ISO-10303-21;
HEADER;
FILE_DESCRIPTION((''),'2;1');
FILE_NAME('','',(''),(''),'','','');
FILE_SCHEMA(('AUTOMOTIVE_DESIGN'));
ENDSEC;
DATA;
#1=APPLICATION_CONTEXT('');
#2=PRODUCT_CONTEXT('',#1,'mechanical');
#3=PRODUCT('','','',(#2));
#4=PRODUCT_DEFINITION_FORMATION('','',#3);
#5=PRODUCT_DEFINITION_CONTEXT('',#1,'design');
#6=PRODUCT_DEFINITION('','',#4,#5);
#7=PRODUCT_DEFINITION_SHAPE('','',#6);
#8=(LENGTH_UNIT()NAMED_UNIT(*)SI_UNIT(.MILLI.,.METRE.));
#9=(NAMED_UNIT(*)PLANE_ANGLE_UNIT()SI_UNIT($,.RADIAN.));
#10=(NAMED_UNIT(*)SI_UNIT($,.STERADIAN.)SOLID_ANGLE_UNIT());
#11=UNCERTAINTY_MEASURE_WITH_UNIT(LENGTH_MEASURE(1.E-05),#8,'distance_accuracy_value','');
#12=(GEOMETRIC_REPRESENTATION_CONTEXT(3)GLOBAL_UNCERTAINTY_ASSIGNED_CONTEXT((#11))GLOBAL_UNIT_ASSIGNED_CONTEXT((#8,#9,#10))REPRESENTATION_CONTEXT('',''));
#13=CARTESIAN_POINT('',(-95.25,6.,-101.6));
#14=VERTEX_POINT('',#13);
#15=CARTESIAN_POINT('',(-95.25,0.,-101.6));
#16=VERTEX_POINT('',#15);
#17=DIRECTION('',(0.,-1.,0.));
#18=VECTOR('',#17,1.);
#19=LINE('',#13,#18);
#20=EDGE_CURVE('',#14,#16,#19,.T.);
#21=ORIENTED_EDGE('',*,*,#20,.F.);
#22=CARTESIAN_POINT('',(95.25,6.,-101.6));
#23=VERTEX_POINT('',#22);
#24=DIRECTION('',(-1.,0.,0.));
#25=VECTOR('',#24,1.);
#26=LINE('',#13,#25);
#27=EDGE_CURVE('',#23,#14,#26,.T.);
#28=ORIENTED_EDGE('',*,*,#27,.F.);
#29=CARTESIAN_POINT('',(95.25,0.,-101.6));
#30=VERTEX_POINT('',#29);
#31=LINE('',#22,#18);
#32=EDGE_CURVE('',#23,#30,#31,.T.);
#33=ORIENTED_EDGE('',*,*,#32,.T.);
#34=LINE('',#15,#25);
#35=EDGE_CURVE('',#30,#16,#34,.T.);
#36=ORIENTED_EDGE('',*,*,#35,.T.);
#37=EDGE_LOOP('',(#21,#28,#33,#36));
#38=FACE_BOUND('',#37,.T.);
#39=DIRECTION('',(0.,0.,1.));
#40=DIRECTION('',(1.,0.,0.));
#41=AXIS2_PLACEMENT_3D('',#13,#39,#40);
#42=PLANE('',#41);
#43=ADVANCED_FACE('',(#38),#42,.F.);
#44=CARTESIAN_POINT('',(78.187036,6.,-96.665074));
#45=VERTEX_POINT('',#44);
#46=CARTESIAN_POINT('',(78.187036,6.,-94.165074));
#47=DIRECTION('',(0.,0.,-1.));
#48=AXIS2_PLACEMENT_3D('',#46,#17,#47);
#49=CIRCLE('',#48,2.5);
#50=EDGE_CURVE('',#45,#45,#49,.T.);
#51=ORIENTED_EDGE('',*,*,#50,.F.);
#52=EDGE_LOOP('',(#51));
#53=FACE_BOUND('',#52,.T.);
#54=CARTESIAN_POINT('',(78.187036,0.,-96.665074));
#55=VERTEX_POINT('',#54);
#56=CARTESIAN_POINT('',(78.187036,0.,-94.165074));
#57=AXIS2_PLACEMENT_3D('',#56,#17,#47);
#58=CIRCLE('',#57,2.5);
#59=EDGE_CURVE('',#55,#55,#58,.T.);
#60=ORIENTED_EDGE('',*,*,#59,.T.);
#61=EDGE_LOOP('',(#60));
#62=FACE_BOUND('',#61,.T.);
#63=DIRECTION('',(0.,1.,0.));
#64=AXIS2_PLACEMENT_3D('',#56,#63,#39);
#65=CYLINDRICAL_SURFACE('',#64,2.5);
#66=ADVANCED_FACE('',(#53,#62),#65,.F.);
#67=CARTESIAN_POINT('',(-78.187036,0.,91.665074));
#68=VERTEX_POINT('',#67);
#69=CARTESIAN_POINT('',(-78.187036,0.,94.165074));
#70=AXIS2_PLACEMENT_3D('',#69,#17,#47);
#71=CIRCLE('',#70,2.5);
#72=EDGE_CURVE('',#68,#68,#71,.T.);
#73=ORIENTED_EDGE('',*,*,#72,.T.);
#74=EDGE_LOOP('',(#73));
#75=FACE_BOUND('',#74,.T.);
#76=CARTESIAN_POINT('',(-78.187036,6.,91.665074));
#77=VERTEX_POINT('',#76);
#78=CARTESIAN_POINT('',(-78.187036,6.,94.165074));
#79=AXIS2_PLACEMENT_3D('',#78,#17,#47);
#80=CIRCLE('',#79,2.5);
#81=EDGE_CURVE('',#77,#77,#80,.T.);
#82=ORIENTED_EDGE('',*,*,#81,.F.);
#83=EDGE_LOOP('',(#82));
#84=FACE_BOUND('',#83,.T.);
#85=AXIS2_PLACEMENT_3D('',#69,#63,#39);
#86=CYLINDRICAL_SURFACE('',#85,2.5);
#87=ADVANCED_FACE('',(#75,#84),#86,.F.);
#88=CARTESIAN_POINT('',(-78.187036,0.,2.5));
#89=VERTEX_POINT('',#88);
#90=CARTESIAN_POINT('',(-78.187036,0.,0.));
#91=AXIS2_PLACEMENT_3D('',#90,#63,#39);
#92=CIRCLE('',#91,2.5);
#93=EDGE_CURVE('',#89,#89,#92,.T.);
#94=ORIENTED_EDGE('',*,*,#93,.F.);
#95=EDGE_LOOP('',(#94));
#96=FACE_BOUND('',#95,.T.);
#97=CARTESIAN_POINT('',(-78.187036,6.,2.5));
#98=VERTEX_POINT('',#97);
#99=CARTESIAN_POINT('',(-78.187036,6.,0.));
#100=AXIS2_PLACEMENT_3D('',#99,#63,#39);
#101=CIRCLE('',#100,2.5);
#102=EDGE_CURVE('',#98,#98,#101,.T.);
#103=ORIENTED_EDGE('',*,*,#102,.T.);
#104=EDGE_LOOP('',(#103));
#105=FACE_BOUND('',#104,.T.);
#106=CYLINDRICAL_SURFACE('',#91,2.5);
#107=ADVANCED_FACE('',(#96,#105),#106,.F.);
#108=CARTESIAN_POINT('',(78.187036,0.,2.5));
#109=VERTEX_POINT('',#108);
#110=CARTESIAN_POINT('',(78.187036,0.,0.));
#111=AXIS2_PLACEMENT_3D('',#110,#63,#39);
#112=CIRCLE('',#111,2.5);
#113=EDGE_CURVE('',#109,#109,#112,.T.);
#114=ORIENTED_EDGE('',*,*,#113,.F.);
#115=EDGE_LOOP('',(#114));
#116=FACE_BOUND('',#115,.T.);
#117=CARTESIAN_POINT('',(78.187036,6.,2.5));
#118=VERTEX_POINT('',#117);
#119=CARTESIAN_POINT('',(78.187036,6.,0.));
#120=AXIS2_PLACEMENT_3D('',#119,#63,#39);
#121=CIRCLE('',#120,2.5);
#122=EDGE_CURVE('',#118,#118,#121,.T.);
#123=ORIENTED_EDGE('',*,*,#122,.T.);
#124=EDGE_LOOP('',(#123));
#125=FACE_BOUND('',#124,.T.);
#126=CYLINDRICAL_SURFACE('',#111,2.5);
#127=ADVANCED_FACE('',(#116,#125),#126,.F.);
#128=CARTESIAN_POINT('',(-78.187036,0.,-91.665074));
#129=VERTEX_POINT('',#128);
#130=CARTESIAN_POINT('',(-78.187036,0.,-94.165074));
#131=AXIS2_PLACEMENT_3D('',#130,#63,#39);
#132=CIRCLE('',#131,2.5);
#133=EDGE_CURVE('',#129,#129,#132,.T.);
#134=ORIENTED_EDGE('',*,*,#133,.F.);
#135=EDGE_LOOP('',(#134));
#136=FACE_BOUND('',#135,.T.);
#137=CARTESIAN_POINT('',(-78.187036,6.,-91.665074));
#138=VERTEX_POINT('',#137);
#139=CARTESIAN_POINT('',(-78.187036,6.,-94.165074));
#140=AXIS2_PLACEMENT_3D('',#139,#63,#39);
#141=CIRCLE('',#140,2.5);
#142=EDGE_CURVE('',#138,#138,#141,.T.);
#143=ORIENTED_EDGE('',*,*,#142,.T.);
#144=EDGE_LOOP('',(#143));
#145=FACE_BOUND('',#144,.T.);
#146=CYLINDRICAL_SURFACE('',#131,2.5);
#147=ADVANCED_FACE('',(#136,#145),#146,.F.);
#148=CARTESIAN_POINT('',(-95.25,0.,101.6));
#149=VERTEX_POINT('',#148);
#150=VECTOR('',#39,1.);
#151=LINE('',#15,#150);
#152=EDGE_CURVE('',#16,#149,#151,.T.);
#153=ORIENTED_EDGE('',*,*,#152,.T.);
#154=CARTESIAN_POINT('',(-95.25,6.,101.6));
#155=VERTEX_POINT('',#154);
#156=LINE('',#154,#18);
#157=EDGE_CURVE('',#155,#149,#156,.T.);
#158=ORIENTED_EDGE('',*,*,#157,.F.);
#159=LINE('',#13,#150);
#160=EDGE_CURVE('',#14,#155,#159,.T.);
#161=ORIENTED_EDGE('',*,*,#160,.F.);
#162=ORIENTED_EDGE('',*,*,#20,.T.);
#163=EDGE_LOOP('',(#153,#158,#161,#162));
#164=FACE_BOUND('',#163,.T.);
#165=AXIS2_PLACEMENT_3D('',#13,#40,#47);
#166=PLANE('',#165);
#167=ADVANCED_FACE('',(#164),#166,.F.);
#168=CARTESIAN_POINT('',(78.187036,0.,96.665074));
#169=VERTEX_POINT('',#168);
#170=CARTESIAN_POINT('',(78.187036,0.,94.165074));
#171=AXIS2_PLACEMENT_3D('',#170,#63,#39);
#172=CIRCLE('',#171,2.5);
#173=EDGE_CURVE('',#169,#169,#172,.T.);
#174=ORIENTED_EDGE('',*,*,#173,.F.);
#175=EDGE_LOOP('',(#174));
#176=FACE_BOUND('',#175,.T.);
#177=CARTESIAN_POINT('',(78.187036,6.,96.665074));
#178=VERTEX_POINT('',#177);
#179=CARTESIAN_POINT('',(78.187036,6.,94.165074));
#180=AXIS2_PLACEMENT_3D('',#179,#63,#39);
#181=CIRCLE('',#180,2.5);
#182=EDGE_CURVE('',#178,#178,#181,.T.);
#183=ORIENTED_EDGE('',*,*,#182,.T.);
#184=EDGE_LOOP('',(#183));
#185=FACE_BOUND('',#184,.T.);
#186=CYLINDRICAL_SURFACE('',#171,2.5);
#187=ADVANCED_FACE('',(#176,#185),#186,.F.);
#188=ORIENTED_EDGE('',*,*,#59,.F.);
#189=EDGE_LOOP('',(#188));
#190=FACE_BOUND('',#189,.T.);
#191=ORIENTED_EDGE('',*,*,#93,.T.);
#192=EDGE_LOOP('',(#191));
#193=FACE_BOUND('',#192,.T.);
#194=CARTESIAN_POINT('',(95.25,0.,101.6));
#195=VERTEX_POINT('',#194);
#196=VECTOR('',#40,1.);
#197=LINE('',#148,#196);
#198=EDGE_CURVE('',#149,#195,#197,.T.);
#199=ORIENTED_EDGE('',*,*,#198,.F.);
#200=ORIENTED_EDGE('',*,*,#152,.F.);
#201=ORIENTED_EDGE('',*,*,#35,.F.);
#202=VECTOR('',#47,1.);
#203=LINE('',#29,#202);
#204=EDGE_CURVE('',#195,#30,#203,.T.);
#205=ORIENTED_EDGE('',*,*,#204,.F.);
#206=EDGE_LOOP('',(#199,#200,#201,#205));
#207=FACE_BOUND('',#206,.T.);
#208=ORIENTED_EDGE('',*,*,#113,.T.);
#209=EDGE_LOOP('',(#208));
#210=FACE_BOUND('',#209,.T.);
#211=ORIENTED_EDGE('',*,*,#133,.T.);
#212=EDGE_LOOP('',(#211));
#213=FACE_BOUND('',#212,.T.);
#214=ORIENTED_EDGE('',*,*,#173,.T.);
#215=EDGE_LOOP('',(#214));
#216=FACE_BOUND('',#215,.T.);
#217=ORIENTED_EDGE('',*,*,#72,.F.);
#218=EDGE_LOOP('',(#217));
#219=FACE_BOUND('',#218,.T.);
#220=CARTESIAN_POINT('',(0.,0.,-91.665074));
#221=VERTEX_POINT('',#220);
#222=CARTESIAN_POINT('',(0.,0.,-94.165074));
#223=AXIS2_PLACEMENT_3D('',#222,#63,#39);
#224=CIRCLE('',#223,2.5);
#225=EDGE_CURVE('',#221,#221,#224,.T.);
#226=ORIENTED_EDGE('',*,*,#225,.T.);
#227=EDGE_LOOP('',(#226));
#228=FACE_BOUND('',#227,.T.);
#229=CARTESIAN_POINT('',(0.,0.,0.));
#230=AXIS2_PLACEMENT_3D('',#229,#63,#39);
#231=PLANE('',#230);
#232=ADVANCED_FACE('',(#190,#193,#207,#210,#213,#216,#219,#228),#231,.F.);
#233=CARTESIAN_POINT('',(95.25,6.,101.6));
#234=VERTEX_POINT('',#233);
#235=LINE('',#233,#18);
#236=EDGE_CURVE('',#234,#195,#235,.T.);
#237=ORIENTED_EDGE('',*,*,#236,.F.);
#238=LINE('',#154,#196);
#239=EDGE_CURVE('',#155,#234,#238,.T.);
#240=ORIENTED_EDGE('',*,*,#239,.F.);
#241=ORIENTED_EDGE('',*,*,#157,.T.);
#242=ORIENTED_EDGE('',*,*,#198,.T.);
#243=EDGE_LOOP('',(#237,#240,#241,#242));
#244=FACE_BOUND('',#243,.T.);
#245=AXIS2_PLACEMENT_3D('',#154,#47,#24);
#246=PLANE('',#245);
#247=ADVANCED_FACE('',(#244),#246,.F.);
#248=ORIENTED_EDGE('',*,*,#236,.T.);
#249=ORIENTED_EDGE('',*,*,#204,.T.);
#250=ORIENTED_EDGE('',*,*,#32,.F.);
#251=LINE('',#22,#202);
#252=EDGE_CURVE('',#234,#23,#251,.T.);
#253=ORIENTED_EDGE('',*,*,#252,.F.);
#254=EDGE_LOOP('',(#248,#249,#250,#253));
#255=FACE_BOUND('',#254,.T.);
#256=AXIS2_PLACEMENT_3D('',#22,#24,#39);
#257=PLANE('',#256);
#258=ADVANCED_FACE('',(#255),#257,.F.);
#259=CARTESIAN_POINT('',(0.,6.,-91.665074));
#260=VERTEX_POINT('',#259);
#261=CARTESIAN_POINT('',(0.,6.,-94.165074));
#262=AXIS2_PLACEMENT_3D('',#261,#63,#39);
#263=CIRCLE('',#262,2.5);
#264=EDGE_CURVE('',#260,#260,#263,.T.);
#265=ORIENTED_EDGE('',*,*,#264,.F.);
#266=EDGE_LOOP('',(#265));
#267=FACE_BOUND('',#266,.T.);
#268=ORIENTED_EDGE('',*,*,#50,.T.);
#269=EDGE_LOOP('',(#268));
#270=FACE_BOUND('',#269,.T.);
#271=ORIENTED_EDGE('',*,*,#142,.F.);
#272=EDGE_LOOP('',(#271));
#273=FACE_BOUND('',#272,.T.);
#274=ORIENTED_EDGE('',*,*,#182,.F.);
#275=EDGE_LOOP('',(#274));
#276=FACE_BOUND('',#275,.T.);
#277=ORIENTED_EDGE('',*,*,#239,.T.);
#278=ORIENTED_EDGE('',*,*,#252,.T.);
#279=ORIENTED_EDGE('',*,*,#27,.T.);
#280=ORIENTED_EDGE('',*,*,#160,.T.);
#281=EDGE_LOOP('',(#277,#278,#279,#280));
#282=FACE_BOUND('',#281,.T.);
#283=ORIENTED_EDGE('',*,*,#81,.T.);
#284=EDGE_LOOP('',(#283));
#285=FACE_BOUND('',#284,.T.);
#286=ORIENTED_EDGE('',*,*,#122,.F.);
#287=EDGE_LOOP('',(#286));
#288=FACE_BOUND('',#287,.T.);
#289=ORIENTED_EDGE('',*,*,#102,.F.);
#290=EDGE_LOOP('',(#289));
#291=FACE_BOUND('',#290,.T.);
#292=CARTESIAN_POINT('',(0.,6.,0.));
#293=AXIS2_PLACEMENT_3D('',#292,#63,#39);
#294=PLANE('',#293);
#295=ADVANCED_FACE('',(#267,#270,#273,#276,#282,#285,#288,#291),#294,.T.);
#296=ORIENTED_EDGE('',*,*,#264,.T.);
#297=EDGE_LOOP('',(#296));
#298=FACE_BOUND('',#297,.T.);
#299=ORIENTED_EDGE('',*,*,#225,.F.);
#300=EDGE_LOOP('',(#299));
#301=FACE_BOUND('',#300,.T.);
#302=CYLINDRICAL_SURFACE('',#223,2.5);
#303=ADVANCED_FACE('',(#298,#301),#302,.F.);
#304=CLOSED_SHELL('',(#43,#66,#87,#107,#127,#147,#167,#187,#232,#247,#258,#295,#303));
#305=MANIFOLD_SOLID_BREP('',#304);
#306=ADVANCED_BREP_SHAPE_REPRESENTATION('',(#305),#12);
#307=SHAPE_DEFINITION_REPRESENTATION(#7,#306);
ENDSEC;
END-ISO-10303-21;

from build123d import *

# Parameters (mm, degrees)
SKETCH2_W           = 190.5
SKETCH2_H           = 203.2
BOSS_EXTRUDE1_DEPTH = 6
SKETCH5_R           = 2.5
CUT_EXTRUDE6_DEPTH  = 7


with BuildPart() as part:
    # Sketch2 → Boss-Extrude1 (new body)
    with BuildSketch(Plane(origin=(0, 0, 0), x_dir=(1, 0, 0), z_dir=(0, 1, 0))):
        Rectangle(SKETCH2_W, SKETCH2_H)
    extrude(amount=BOSS_EXTRUDE1_DEPTH)

    # Sketch5 → Cut-Extrude6 (cut, through all)
    with BuildSketch(Plane(origin=(0, 6, 0), x_dir=(1, 0, 0), z_dir=(0, 1, 0))):
        with Locations((-78.187036158, 94.165073798)):
            Circle(SKETCH5_R)
        with Locations((0, 94.165073798)):
            Circle(SKETCH5_R)
        with Locations((78.187036158, 0)):
            Circle(SKETCH5_R)
        with Locations((-78.187036158, 0)):
            Circle(SKETCH5_R)
        with Locations((78.187036158, 94.165073798)):
            Circle(SKETCH5_R)
        with Locations((-78.187036158, -94.165073798)):
            Circle(SKETCH5_R)
        with Locations((78.187036158, -94.165073798)):
            Circle(SKETCH5_R)
    extrude(amount=-CUT_EXTRUDE6_DEPTH, mode=Mode.SUBTRACT)


solid = part.part
